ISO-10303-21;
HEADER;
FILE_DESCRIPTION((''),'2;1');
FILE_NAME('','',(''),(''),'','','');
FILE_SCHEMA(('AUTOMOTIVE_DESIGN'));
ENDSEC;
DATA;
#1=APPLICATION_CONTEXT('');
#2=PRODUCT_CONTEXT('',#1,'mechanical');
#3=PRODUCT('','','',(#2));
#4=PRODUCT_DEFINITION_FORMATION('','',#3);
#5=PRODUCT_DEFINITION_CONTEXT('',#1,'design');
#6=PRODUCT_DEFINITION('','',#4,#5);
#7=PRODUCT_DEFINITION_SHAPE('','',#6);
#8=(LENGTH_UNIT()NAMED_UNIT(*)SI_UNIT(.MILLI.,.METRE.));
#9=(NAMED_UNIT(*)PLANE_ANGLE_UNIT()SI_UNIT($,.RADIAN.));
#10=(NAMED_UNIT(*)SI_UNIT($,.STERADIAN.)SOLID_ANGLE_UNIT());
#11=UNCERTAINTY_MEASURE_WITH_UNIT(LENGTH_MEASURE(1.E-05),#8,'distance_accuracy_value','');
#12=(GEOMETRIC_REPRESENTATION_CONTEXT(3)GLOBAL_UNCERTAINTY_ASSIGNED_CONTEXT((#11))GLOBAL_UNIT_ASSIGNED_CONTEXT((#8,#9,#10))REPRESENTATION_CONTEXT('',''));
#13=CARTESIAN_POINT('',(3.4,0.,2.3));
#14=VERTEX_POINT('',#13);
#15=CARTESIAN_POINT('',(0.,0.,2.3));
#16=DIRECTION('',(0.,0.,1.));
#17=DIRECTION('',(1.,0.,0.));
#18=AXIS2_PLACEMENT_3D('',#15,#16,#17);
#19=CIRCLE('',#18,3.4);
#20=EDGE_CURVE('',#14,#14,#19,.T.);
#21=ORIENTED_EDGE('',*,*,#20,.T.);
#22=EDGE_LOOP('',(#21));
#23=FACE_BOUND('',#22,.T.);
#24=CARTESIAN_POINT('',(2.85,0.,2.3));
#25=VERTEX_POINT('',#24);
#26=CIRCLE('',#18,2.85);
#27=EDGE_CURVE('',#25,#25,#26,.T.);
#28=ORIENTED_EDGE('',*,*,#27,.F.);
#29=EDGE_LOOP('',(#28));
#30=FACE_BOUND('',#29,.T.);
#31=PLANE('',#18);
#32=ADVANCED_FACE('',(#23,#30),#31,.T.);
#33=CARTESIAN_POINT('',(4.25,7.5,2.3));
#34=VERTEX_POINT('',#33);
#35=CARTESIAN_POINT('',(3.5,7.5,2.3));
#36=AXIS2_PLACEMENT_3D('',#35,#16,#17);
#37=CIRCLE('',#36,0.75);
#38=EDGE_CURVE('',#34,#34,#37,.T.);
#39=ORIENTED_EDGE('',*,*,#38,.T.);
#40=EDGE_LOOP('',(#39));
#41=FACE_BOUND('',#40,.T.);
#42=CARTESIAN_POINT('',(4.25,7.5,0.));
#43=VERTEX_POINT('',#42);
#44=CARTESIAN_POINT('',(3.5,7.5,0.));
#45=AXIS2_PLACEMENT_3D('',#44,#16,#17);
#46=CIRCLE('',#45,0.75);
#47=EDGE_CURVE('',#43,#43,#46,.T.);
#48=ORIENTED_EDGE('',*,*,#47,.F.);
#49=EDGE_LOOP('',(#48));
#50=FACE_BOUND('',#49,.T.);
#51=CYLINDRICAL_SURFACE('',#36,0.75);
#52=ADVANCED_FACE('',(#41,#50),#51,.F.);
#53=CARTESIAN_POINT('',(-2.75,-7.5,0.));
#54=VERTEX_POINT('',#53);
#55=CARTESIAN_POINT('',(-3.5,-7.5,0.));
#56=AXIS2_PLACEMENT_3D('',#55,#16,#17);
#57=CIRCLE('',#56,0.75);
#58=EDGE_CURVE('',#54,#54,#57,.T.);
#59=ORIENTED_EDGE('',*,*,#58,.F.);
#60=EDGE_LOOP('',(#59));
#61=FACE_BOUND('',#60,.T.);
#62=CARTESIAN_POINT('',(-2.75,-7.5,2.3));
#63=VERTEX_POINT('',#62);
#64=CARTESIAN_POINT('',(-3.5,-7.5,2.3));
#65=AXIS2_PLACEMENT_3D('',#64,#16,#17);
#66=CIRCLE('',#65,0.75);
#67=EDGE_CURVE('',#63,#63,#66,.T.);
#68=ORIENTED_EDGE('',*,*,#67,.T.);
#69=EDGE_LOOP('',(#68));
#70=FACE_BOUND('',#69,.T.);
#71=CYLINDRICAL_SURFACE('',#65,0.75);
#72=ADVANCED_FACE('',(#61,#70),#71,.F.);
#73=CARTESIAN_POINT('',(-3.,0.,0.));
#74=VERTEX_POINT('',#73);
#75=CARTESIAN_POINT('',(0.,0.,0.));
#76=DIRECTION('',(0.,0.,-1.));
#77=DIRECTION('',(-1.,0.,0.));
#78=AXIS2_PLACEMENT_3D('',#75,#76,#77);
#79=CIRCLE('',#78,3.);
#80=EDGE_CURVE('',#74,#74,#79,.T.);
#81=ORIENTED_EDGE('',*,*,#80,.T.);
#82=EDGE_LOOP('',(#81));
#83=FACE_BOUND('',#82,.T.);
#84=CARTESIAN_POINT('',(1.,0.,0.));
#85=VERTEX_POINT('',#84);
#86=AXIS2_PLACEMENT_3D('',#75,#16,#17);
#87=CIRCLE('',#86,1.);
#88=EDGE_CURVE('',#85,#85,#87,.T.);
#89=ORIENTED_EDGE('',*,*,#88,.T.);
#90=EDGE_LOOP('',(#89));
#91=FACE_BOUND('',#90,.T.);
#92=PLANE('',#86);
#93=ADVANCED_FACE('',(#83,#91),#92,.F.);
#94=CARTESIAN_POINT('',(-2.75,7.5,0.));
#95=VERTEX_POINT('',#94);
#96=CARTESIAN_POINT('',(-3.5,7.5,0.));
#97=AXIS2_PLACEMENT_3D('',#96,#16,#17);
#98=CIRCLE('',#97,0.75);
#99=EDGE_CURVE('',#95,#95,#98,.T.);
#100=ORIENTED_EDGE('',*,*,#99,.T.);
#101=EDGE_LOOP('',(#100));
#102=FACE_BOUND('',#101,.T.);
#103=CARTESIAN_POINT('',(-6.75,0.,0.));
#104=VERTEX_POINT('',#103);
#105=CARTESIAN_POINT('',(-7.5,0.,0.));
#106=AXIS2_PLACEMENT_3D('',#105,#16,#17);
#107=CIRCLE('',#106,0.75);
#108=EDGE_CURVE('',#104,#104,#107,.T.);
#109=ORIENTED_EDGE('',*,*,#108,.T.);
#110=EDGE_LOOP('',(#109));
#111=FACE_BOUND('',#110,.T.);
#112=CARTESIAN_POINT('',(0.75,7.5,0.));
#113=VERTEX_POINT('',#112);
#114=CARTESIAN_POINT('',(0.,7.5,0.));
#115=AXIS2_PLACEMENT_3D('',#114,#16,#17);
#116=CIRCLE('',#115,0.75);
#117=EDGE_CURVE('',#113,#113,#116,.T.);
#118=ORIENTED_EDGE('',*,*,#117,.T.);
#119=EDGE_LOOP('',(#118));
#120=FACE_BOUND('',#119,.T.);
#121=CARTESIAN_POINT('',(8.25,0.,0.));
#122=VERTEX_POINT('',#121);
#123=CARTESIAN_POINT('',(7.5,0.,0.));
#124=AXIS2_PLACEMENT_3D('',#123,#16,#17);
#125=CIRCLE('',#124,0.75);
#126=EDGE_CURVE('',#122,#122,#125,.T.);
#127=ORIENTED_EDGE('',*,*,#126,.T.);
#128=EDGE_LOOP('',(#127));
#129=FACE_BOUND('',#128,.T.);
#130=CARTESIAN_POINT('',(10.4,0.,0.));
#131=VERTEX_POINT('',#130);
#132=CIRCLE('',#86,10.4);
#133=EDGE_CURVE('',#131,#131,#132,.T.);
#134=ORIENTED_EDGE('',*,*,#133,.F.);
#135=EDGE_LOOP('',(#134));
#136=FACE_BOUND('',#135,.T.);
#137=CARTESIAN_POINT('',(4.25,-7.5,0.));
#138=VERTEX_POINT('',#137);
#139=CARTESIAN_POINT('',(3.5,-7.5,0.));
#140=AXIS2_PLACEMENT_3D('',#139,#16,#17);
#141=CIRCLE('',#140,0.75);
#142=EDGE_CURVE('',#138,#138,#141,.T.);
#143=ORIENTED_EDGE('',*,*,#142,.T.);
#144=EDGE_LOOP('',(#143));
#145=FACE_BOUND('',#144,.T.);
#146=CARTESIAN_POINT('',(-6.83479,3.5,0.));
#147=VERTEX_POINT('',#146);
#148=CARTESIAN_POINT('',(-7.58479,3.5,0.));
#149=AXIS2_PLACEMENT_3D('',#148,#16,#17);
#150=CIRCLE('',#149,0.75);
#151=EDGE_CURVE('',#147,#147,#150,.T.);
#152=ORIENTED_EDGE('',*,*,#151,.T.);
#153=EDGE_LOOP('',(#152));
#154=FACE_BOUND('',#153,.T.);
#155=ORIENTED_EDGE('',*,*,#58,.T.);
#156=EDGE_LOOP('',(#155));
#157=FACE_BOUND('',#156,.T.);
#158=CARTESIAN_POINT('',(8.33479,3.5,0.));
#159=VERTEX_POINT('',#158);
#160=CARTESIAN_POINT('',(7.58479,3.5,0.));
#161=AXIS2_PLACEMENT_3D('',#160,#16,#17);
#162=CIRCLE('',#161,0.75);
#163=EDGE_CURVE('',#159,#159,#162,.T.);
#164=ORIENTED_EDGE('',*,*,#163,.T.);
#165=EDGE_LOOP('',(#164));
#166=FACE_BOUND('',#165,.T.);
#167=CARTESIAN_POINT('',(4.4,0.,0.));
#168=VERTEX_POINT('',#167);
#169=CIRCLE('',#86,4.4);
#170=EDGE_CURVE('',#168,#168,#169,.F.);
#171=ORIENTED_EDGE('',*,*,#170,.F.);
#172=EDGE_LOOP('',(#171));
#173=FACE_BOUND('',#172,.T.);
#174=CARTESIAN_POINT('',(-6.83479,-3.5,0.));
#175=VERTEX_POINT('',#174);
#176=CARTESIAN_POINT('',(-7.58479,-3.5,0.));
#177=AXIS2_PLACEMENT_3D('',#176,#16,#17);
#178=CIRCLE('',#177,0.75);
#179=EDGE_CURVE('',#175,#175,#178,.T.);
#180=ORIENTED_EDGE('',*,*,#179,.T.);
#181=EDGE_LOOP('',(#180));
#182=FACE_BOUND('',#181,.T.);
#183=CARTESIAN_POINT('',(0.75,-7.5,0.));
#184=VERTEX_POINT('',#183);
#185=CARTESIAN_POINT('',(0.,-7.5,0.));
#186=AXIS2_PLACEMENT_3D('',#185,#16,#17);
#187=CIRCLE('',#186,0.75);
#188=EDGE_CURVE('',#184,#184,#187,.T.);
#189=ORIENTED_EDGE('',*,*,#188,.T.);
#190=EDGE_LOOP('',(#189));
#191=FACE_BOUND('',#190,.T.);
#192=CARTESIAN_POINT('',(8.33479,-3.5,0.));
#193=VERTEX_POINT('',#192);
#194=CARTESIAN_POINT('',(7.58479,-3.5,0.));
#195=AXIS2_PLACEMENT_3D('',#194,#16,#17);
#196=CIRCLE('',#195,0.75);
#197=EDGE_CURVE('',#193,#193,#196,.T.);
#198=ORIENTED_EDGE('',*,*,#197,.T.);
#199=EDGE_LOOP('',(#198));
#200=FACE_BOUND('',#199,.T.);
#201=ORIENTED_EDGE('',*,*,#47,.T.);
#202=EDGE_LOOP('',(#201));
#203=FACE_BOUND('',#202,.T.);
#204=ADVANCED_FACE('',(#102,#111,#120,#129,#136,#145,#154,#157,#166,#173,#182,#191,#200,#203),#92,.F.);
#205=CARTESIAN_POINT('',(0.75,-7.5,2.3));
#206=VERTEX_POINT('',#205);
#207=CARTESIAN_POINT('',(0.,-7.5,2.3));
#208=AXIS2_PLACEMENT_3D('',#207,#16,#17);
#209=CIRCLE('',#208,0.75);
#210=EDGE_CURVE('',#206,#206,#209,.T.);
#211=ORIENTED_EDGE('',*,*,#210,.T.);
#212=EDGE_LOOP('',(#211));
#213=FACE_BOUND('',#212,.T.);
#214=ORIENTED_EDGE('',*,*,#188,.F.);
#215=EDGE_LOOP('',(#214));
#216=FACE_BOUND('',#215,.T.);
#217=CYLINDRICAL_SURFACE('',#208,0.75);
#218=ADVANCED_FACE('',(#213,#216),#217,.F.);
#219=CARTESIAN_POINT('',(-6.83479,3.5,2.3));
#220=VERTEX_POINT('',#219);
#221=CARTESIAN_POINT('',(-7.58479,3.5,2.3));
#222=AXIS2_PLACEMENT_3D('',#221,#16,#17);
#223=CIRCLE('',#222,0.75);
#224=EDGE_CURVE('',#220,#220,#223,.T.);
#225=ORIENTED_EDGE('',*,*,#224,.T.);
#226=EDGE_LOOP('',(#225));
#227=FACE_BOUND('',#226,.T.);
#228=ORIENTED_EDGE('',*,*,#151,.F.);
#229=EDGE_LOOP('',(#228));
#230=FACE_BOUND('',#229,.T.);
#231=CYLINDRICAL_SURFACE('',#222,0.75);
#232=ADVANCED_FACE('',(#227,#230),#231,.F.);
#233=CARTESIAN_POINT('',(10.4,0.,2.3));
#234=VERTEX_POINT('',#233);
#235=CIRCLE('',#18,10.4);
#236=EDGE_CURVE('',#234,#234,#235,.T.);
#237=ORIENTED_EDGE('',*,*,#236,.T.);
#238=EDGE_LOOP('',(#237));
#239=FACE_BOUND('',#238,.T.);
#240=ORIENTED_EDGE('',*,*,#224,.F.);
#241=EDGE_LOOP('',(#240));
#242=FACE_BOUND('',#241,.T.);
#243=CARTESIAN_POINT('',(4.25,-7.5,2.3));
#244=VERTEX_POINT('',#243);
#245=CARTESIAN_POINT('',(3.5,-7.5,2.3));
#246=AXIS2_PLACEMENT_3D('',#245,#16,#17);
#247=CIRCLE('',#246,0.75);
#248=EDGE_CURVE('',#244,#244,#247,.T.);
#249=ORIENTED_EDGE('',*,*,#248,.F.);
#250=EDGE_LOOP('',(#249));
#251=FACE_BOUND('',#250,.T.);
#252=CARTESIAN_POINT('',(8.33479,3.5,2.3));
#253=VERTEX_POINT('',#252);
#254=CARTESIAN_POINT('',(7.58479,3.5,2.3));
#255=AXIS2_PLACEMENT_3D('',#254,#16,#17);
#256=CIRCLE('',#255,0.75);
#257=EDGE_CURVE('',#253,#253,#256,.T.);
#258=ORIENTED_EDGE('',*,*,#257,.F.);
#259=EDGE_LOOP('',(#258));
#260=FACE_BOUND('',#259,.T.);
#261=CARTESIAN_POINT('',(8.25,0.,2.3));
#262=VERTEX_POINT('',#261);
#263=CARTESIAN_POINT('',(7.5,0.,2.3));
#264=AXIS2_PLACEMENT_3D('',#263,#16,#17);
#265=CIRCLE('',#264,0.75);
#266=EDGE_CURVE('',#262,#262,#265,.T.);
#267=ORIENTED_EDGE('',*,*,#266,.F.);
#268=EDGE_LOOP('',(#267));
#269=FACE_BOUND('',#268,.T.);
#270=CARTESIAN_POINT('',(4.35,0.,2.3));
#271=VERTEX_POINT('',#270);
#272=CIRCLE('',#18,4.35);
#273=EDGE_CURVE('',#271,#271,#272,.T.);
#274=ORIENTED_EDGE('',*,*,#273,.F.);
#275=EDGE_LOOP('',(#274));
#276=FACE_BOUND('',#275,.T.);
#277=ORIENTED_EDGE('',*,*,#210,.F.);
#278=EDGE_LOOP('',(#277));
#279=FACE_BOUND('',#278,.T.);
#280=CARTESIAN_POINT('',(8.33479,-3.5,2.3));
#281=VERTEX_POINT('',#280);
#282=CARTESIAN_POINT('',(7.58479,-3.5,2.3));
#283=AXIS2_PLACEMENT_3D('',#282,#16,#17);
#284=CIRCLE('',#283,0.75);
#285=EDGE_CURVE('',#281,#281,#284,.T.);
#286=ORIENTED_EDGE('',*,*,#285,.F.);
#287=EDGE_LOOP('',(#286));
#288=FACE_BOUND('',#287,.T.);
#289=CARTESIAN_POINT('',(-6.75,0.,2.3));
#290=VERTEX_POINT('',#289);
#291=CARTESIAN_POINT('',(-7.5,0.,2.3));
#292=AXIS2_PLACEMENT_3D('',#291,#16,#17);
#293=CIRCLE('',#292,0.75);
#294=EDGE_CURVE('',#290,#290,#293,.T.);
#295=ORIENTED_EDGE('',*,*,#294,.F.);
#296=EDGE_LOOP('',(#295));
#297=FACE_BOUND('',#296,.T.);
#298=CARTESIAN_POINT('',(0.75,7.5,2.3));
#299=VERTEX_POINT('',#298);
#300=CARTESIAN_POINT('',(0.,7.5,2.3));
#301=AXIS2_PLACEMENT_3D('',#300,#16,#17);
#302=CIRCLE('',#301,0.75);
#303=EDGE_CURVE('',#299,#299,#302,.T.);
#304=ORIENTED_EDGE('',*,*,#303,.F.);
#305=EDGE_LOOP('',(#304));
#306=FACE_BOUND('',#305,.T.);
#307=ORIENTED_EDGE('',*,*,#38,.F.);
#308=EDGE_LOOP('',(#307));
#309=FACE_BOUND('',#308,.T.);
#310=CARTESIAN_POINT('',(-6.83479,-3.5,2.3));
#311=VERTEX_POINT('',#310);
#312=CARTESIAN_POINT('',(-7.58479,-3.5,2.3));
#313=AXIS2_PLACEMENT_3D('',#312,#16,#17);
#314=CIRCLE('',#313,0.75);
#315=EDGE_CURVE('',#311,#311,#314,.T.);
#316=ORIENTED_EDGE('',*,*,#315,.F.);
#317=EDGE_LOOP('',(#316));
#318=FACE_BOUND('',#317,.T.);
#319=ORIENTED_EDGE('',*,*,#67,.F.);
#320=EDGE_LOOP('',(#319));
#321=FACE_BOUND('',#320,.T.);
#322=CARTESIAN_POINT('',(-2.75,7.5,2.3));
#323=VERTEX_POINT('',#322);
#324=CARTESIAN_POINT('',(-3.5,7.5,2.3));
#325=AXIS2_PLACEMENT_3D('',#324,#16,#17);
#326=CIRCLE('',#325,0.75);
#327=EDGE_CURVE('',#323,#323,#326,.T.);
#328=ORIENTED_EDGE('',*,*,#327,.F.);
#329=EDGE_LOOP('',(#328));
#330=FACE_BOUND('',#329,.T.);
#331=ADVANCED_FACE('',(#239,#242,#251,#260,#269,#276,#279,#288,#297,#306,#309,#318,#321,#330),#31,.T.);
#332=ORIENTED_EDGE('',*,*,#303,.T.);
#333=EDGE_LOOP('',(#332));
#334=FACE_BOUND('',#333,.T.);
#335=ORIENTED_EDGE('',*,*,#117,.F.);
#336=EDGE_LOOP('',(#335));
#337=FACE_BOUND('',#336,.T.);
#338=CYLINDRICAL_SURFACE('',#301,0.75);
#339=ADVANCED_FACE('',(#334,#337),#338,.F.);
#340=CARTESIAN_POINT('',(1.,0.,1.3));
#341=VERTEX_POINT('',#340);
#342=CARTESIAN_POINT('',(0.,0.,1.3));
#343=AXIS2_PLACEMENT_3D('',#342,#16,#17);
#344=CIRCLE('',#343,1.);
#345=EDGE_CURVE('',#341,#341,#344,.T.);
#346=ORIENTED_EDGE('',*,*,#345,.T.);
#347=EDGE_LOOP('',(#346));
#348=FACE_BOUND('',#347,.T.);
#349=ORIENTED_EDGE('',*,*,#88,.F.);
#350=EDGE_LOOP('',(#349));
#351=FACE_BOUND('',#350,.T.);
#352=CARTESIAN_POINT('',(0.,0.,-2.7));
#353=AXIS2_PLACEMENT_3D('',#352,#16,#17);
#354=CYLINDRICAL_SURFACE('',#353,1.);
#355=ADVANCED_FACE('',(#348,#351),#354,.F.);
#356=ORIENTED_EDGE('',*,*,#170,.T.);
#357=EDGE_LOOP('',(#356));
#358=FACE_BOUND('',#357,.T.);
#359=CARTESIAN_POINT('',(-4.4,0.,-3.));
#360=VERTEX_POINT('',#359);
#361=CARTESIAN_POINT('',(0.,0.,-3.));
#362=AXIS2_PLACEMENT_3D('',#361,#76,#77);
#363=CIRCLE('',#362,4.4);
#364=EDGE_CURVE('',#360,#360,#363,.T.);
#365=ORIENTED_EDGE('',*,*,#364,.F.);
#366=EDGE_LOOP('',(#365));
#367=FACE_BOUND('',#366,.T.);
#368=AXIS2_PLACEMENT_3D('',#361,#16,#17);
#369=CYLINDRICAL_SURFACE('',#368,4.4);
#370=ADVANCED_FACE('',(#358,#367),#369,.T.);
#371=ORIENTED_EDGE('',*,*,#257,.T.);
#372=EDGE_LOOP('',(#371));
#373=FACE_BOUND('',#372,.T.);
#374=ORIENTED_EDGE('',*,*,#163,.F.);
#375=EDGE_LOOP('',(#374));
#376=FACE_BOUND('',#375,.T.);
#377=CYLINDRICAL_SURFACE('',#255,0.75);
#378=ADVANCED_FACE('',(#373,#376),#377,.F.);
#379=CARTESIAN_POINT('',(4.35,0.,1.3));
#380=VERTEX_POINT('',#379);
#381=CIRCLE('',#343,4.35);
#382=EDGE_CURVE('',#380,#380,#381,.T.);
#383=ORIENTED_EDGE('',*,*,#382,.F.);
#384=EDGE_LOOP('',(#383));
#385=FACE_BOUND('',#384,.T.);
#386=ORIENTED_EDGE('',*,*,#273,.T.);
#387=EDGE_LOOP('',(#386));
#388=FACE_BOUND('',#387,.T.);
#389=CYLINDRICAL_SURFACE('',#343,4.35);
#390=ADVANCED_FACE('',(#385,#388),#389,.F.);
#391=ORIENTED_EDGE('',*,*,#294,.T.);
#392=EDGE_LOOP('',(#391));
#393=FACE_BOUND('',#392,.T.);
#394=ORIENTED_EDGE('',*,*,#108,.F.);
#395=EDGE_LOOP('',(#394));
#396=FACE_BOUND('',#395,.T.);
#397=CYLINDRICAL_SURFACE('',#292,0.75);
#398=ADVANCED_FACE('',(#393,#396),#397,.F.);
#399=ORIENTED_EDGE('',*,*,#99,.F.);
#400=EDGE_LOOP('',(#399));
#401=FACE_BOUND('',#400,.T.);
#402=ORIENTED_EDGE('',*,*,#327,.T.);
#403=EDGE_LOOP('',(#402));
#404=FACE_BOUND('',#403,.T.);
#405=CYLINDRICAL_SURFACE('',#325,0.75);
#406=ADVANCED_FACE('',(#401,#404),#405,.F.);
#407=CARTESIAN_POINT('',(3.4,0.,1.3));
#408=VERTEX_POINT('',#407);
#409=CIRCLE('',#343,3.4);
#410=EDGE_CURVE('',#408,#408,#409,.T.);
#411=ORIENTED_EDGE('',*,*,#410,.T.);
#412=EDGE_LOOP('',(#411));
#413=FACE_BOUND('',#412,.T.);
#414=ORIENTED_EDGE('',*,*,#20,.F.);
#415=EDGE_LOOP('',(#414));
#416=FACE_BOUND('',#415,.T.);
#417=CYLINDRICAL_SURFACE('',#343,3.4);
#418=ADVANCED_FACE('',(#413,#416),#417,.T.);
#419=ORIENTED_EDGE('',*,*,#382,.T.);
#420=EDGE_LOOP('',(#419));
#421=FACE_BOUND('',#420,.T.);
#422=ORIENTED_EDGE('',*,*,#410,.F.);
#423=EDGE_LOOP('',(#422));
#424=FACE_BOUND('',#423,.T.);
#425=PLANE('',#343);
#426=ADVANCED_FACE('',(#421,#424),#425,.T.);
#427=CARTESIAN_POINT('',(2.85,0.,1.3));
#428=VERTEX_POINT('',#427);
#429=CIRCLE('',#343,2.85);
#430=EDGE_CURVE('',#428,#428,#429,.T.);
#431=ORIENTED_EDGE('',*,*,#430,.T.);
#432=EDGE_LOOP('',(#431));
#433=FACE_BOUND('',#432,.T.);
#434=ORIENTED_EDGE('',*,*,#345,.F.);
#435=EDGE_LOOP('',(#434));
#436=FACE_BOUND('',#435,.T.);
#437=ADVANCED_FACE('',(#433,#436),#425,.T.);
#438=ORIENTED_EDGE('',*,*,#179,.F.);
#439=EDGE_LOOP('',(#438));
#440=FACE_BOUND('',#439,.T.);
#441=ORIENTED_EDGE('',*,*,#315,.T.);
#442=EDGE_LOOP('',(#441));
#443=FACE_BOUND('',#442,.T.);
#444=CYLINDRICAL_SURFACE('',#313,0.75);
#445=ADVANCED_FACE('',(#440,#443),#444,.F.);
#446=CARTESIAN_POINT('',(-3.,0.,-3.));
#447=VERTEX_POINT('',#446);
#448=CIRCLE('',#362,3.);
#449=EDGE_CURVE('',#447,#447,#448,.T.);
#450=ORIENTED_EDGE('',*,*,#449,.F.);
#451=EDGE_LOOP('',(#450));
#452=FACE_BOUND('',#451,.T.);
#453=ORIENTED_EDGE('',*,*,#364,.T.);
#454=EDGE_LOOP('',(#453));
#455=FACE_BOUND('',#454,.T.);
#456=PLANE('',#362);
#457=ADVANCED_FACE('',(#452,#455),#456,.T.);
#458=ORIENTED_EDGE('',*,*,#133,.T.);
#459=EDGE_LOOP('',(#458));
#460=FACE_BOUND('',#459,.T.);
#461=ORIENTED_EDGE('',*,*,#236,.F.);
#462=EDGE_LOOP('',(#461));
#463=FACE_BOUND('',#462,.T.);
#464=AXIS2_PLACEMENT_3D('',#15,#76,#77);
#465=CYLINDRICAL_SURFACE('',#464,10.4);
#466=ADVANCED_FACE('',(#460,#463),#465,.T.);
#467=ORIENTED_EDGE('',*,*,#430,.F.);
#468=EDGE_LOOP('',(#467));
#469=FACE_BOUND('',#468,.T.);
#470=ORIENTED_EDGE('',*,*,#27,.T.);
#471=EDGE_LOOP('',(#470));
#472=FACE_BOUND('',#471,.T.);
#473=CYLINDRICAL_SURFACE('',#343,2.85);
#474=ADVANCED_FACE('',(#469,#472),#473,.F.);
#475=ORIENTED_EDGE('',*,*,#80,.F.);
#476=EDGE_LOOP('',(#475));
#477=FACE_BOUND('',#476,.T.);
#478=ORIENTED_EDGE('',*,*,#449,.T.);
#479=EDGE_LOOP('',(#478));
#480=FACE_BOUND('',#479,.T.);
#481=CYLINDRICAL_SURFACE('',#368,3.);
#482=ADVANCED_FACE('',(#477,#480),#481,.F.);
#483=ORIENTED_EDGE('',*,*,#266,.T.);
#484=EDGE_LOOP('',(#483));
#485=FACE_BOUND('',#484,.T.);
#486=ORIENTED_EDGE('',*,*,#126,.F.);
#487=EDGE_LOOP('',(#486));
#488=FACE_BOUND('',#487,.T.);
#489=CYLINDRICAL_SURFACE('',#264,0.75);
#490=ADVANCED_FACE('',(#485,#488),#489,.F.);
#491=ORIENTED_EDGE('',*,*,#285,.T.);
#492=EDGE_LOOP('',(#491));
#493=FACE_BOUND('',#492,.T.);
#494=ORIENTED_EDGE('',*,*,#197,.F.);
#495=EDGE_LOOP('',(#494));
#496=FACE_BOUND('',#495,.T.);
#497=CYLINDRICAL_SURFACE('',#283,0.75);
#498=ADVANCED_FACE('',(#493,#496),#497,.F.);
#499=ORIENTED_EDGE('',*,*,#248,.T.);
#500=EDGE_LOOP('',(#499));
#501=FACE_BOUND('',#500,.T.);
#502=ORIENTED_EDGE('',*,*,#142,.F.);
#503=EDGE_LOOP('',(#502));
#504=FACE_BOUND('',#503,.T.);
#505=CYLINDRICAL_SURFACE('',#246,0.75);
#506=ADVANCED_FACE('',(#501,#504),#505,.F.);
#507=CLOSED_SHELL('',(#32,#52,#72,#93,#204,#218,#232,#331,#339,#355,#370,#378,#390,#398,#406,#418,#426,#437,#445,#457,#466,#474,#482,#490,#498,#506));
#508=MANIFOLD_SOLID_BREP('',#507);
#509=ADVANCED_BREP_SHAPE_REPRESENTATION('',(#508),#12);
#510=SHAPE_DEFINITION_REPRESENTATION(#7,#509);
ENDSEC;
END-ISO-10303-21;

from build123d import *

# Parameters (mm, degrees)
SKETCH1_R                    = 10.4
BOSS_EXTRUDE1_DEPTH          = 2.3
F_96_0_0063_DIAMETER_HOLE1_D = 1.500000048
SKETCH9_R                    = 4.4
SKETCH9_R_2                  = 3
BOSS_EXTRUDE2_DEPTH          = 3
SKETCH10_R                   = 4.35
SKETCH10_R_2                 = 3.4
CUT_EXTRUDE1_DEPTH           = 1
SKETCH11_R                   = 2.85
CUT_EXTRUDE2_DEPTH           = 1
SKETCH12_R                   = 1
CUT_EXTRUDE3_DEPTH           = 4


with BuildPart() as part:
    # Sketch1 → Boss-Extrude1 (new body)
    with BuildSketch(Plane.XY):
        Circle(SKETCH1_R)
    extrude(amount=BOSS_EXTRUDE1_DEPTH)

    # #96 (0.0063) Diameter Hole1 (through all)
    with Locations(Plane.XY.offset(2.3)):
        with Locations((0, 7.5), (-3.5, 7.5), (3.5, 7.5), (-7.5, 0), (-7.584790225, 3.5), (-7.584790225, -3.5)):
            f_96_0_0063_diameter_hole1 = Hole(F_96_0_0063_DIAMETER_HOLE1_D / 2)

    # Mirror1: #96 (0.0063) Diameter Hole1 across plane
    add(f_96_0_0063_diameter_hole1.mirror(Plane.ZX), mode=Mode.SUBTRACT)

    # Mirror2: #96 (0.0063) Diameter Hole1 across plane
    add(f_96_0_0063_diameter_hole1.mirror(Plane(origin=(0, 0, 0), x_dir=(0, 0, 1), z_dir=(1, 0, 0))), mode=Mode.SUBTRACT)

    # Sketch9 → Boss-Extrude2 (add)
    with BuildSketch(Plane(origin=(0, 0, 0), x_dir=(-1, 0, 0), z_dir=(0, 0, -1))):
        with Locations(Location((0, 0, 0), (0, 0, 180))):
            Circle(SKETCH9_R)
        Circle(SKETCH9_R_2, mode=Mode.SUBTRACT)
    extrude(amount=BOSS_EXTRUDE2_DEPTH)

    # Sketch10 → Cut-Extrude1 (cut)
    with BuildSketch(Plane.XY.offset(2.3)):
        Circle(SKETCH10_R)
        Circle(SKETCH10_R_2, mode=Mode.SUBTRACT)
    extrude(amount=-CUT_EXTRUDE1_DEPTH, mode=Mode.SUBTRACT)

    # Sketch11 → Cut-Extrude2 (cut)
    with BuildSketch(Plane.XY.offset(2.3)):
        Circle(SKETCH11_R)
    extrude(amount=-CUT_EXTRUDE2_DEPTH, mode=Mode.SUBTRACT)

    # Sketch12 → Cut-Extrude3 (cut)
    with BuildSketch(Plane.XY.offset(1.3)):
        Circle(SKETCH12_R)
    extrude(amount=-CUT_EXTRUDE3_DEPTH, mode=Mode.SUBTRACT)


solid = part.part
